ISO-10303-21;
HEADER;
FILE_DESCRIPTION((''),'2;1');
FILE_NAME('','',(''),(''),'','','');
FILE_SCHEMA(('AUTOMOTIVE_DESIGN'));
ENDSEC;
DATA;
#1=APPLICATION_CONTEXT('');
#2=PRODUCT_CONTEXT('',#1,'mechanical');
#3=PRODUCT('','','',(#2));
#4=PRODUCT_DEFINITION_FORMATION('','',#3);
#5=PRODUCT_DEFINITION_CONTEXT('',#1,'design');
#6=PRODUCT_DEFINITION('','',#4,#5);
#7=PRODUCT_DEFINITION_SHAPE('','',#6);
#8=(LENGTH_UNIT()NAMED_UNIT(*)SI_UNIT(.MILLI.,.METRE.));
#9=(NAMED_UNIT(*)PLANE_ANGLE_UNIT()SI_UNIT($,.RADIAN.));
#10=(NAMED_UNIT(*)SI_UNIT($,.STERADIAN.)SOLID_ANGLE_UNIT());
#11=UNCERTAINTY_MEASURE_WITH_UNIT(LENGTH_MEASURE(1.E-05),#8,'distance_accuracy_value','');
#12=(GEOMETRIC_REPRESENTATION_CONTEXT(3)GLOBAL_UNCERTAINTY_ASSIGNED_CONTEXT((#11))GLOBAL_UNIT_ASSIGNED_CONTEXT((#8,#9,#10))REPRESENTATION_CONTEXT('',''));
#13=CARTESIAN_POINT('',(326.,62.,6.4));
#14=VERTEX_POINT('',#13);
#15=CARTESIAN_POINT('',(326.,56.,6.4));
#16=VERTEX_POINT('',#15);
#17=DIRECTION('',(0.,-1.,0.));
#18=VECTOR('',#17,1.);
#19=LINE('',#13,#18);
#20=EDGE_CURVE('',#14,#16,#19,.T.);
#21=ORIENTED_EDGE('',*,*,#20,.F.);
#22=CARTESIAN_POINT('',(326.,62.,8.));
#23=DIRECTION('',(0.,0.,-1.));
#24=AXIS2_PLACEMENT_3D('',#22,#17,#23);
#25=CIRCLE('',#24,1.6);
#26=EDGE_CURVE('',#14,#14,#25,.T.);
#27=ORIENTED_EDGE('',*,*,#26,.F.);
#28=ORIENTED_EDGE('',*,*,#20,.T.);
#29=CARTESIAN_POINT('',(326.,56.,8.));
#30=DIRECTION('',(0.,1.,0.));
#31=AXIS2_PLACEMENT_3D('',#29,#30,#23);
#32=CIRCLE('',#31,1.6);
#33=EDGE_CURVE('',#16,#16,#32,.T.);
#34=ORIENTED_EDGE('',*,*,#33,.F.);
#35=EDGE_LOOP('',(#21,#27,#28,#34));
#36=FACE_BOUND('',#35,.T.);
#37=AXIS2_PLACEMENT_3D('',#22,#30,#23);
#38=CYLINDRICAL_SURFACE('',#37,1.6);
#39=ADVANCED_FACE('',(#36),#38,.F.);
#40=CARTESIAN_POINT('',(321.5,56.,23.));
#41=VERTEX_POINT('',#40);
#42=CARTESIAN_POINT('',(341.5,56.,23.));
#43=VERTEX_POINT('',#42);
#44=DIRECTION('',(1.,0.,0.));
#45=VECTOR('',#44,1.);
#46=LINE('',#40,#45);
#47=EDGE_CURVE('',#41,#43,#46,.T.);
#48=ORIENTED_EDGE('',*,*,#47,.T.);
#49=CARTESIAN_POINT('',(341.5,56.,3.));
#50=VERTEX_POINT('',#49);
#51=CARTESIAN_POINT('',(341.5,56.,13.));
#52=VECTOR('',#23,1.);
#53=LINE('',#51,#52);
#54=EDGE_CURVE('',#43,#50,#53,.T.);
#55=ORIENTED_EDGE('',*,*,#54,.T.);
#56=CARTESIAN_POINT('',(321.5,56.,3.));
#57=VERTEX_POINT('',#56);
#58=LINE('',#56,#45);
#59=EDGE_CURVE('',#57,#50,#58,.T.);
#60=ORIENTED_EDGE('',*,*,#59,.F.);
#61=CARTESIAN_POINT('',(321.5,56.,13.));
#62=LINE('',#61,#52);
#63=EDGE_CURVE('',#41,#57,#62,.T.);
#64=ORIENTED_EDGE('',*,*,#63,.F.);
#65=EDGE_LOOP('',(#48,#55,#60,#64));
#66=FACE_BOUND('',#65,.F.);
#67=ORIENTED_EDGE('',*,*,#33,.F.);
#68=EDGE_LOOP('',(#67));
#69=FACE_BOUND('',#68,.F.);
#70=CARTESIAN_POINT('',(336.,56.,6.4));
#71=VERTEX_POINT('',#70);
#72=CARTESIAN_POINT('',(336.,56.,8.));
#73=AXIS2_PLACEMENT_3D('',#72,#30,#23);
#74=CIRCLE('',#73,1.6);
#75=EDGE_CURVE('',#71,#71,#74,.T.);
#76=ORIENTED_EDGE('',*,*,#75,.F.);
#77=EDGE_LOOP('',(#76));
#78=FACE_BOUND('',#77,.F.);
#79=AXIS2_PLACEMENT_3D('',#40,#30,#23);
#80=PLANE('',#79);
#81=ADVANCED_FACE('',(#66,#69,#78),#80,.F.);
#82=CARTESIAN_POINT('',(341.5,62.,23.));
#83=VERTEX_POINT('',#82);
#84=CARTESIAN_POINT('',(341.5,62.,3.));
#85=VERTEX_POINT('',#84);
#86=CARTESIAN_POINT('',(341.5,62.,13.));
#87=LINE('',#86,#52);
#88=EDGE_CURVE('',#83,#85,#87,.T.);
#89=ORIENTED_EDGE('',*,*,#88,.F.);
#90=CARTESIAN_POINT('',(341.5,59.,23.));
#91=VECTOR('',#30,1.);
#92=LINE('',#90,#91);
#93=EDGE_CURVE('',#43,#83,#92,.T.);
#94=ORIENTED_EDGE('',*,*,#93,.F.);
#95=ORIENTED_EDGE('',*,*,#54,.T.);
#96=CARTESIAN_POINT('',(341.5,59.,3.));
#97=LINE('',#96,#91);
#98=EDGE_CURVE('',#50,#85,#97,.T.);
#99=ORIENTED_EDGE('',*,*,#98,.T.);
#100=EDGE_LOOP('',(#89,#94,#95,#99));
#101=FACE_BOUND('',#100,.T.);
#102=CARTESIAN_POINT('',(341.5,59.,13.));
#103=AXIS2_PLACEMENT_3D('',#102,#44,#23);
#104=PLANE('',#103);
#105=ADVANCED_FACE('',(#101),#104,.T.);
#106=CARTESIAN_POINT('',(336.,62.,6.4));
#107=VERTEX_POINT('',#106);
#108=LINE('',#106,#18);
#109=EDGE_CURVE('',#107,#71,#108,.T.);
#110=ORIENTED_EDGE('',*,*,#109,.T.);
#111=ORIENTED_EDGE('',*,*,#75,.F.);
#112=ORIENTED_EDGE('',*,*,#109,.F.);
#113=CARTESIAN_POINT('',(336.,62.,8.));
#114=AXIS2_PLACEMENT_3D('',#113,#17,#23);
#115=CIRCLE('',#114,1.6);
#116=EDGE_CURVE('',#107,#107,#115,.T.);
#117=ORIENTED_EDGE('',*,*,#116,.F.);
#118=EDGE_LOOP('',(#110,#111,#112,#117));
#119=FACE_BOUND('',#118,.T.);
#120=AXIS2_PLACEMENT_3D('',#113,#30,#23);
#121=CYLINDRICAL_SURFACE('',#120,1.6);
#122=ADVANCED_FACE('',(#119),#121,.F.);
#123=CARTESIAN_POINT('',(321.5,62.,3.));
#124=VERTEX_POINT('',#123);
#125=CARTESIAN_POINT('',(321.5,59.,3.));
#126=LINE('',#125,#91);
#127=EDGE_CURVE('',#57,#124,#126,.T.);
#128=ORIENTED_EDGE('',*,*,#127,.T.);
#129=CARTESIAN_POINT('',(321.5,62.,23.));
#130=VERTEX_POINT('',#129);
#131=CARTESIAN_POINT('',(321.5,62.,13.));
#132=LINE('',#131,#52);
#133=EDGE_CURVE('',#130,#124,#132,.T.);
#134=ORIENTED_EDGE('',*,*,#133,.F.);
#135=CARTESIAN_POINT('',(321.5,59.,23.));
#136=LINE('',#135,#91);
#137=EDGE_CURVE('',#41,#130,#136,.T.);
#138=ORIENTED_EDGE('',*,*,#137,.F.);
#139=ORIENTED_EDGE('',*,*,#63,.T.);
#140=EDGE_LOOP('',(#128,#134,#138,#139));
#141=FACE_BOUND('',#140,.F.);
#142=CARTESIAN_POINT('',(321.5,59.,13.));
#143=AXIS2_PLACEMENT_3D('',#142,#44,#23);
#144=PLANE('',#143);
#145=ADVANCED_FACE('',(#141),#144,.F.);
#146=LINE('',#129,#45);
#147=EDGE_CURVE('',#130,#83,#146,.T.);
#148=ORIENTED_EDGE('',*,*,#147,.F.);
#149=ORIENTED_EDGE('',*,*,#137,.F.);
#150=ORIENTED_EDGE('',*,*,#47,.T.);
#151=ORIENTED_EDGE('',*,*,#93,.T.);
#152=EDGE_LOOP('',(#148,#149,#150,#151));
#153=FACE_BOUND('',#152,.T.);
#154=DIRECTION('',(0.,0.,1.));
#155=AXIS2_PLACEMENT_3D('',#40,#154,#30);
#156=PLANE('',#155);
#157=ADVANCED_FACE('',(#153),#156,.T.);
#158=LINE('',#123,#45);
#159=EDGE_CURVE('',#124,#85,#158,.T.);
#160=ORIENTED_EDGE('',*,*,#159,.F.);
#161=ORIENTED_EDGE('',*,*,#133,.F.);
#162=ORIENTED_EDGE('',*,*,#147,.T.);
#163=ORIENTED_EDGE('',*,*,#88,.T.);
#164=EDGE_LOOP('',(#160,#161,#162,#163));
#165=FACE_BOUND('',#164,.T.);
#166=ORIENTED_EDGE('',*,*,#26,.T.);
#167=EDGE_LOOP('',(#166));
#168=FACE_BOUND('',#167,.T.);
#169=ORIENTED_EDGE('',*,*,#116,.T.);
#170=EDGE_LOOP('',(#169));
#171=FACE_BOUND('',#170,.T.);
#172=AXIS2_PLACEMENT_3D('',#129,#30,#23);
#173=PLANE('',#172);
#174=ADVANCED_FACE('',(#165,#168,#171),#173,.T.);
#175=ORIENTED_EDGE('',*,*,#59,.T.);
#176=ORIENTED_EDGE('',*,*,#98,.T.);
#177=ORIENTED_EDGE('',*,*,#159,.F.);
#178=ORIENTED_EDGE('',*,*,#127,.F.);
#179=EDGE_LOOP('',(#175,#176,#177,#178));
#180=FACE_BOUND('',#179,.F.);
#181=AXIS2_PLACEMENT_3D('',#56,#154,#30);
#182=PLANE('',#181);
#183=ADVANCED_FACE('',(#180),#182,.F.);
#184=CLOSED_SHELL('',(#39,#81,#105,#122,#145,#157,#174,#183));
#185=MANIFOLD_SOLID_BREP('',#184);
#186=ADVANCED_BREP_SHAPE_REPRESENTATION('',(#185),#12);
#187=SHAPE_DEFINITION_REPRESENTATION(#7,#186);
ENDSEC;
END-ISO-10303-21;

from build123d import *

# Parameters (mm, degrees)
CYLINDER110_R          = 1.6
CYLINDER110_DEPTH      = 10
CYLINDER111_R          = 1.6
CYLINDER111_DEPTH      = 10
BOX050_W               = 20
BOX050_H               = 6
BOX050_DEPTH           = 20
CUT058_PLACEMENT_ANGLE = 90


with BuildPart() as cylinder110:
    # Cylinder110 → Cylinder110 (new body)
    with BuildSketch(Plane(origin=(320, 26, 0), x_dir=(1, 0, 0), z_dir=(0, -1, 0))):
        Circle(CYLINDER110_R)
    extrude(amount=CYLINDER110_DEPTH)


with BuildPart() as fusion097:
    # Cylinder111 → Cylinder111 (new body)
    with BuildSketch(Plane(origin=(320, 26, 10), x_dir=(1, 0, 0), z_dir=(0, -1, 0))):
        Circle(CYLINDER111_R)
    extrude(amount=CYLINDER111_DEPTH)

    # Fusion097: union Cylinder110
    add(cylinder110.part)


with BuildPart() as fusion097_1:
    # Fusion097 placement: moved
    add(fusion097.part.moved(Location((15, -1.5, 6))))


with BuildPart() as cut058:
    # Box050 → Box050 (new body)
    with BuildSketch(Plane(origin=(320, 18.5, 1.5), x_dir=(1, 0, 0), z_dir=(0, 0, 1))):
        with Locations((10, 3)):
            Rectangle(BOX050_W, BOX050_H)
    extrude(amount=BOX050_DEPTH)

    # Cut058: cut Fusion097
    add(fusion097_1.part, mode=Mode.SUBTRACT)


with BuildPart() as cut058_1:
    # Cut058 placement: moved
    add(cut058.part.moved(Location((320, 37.5, 343))).rotate(Axis((320, 37.5, 343), (0, 1, 0)), CUT058_PLACEMENT_ANGLE))


solid = cut058_1.part
